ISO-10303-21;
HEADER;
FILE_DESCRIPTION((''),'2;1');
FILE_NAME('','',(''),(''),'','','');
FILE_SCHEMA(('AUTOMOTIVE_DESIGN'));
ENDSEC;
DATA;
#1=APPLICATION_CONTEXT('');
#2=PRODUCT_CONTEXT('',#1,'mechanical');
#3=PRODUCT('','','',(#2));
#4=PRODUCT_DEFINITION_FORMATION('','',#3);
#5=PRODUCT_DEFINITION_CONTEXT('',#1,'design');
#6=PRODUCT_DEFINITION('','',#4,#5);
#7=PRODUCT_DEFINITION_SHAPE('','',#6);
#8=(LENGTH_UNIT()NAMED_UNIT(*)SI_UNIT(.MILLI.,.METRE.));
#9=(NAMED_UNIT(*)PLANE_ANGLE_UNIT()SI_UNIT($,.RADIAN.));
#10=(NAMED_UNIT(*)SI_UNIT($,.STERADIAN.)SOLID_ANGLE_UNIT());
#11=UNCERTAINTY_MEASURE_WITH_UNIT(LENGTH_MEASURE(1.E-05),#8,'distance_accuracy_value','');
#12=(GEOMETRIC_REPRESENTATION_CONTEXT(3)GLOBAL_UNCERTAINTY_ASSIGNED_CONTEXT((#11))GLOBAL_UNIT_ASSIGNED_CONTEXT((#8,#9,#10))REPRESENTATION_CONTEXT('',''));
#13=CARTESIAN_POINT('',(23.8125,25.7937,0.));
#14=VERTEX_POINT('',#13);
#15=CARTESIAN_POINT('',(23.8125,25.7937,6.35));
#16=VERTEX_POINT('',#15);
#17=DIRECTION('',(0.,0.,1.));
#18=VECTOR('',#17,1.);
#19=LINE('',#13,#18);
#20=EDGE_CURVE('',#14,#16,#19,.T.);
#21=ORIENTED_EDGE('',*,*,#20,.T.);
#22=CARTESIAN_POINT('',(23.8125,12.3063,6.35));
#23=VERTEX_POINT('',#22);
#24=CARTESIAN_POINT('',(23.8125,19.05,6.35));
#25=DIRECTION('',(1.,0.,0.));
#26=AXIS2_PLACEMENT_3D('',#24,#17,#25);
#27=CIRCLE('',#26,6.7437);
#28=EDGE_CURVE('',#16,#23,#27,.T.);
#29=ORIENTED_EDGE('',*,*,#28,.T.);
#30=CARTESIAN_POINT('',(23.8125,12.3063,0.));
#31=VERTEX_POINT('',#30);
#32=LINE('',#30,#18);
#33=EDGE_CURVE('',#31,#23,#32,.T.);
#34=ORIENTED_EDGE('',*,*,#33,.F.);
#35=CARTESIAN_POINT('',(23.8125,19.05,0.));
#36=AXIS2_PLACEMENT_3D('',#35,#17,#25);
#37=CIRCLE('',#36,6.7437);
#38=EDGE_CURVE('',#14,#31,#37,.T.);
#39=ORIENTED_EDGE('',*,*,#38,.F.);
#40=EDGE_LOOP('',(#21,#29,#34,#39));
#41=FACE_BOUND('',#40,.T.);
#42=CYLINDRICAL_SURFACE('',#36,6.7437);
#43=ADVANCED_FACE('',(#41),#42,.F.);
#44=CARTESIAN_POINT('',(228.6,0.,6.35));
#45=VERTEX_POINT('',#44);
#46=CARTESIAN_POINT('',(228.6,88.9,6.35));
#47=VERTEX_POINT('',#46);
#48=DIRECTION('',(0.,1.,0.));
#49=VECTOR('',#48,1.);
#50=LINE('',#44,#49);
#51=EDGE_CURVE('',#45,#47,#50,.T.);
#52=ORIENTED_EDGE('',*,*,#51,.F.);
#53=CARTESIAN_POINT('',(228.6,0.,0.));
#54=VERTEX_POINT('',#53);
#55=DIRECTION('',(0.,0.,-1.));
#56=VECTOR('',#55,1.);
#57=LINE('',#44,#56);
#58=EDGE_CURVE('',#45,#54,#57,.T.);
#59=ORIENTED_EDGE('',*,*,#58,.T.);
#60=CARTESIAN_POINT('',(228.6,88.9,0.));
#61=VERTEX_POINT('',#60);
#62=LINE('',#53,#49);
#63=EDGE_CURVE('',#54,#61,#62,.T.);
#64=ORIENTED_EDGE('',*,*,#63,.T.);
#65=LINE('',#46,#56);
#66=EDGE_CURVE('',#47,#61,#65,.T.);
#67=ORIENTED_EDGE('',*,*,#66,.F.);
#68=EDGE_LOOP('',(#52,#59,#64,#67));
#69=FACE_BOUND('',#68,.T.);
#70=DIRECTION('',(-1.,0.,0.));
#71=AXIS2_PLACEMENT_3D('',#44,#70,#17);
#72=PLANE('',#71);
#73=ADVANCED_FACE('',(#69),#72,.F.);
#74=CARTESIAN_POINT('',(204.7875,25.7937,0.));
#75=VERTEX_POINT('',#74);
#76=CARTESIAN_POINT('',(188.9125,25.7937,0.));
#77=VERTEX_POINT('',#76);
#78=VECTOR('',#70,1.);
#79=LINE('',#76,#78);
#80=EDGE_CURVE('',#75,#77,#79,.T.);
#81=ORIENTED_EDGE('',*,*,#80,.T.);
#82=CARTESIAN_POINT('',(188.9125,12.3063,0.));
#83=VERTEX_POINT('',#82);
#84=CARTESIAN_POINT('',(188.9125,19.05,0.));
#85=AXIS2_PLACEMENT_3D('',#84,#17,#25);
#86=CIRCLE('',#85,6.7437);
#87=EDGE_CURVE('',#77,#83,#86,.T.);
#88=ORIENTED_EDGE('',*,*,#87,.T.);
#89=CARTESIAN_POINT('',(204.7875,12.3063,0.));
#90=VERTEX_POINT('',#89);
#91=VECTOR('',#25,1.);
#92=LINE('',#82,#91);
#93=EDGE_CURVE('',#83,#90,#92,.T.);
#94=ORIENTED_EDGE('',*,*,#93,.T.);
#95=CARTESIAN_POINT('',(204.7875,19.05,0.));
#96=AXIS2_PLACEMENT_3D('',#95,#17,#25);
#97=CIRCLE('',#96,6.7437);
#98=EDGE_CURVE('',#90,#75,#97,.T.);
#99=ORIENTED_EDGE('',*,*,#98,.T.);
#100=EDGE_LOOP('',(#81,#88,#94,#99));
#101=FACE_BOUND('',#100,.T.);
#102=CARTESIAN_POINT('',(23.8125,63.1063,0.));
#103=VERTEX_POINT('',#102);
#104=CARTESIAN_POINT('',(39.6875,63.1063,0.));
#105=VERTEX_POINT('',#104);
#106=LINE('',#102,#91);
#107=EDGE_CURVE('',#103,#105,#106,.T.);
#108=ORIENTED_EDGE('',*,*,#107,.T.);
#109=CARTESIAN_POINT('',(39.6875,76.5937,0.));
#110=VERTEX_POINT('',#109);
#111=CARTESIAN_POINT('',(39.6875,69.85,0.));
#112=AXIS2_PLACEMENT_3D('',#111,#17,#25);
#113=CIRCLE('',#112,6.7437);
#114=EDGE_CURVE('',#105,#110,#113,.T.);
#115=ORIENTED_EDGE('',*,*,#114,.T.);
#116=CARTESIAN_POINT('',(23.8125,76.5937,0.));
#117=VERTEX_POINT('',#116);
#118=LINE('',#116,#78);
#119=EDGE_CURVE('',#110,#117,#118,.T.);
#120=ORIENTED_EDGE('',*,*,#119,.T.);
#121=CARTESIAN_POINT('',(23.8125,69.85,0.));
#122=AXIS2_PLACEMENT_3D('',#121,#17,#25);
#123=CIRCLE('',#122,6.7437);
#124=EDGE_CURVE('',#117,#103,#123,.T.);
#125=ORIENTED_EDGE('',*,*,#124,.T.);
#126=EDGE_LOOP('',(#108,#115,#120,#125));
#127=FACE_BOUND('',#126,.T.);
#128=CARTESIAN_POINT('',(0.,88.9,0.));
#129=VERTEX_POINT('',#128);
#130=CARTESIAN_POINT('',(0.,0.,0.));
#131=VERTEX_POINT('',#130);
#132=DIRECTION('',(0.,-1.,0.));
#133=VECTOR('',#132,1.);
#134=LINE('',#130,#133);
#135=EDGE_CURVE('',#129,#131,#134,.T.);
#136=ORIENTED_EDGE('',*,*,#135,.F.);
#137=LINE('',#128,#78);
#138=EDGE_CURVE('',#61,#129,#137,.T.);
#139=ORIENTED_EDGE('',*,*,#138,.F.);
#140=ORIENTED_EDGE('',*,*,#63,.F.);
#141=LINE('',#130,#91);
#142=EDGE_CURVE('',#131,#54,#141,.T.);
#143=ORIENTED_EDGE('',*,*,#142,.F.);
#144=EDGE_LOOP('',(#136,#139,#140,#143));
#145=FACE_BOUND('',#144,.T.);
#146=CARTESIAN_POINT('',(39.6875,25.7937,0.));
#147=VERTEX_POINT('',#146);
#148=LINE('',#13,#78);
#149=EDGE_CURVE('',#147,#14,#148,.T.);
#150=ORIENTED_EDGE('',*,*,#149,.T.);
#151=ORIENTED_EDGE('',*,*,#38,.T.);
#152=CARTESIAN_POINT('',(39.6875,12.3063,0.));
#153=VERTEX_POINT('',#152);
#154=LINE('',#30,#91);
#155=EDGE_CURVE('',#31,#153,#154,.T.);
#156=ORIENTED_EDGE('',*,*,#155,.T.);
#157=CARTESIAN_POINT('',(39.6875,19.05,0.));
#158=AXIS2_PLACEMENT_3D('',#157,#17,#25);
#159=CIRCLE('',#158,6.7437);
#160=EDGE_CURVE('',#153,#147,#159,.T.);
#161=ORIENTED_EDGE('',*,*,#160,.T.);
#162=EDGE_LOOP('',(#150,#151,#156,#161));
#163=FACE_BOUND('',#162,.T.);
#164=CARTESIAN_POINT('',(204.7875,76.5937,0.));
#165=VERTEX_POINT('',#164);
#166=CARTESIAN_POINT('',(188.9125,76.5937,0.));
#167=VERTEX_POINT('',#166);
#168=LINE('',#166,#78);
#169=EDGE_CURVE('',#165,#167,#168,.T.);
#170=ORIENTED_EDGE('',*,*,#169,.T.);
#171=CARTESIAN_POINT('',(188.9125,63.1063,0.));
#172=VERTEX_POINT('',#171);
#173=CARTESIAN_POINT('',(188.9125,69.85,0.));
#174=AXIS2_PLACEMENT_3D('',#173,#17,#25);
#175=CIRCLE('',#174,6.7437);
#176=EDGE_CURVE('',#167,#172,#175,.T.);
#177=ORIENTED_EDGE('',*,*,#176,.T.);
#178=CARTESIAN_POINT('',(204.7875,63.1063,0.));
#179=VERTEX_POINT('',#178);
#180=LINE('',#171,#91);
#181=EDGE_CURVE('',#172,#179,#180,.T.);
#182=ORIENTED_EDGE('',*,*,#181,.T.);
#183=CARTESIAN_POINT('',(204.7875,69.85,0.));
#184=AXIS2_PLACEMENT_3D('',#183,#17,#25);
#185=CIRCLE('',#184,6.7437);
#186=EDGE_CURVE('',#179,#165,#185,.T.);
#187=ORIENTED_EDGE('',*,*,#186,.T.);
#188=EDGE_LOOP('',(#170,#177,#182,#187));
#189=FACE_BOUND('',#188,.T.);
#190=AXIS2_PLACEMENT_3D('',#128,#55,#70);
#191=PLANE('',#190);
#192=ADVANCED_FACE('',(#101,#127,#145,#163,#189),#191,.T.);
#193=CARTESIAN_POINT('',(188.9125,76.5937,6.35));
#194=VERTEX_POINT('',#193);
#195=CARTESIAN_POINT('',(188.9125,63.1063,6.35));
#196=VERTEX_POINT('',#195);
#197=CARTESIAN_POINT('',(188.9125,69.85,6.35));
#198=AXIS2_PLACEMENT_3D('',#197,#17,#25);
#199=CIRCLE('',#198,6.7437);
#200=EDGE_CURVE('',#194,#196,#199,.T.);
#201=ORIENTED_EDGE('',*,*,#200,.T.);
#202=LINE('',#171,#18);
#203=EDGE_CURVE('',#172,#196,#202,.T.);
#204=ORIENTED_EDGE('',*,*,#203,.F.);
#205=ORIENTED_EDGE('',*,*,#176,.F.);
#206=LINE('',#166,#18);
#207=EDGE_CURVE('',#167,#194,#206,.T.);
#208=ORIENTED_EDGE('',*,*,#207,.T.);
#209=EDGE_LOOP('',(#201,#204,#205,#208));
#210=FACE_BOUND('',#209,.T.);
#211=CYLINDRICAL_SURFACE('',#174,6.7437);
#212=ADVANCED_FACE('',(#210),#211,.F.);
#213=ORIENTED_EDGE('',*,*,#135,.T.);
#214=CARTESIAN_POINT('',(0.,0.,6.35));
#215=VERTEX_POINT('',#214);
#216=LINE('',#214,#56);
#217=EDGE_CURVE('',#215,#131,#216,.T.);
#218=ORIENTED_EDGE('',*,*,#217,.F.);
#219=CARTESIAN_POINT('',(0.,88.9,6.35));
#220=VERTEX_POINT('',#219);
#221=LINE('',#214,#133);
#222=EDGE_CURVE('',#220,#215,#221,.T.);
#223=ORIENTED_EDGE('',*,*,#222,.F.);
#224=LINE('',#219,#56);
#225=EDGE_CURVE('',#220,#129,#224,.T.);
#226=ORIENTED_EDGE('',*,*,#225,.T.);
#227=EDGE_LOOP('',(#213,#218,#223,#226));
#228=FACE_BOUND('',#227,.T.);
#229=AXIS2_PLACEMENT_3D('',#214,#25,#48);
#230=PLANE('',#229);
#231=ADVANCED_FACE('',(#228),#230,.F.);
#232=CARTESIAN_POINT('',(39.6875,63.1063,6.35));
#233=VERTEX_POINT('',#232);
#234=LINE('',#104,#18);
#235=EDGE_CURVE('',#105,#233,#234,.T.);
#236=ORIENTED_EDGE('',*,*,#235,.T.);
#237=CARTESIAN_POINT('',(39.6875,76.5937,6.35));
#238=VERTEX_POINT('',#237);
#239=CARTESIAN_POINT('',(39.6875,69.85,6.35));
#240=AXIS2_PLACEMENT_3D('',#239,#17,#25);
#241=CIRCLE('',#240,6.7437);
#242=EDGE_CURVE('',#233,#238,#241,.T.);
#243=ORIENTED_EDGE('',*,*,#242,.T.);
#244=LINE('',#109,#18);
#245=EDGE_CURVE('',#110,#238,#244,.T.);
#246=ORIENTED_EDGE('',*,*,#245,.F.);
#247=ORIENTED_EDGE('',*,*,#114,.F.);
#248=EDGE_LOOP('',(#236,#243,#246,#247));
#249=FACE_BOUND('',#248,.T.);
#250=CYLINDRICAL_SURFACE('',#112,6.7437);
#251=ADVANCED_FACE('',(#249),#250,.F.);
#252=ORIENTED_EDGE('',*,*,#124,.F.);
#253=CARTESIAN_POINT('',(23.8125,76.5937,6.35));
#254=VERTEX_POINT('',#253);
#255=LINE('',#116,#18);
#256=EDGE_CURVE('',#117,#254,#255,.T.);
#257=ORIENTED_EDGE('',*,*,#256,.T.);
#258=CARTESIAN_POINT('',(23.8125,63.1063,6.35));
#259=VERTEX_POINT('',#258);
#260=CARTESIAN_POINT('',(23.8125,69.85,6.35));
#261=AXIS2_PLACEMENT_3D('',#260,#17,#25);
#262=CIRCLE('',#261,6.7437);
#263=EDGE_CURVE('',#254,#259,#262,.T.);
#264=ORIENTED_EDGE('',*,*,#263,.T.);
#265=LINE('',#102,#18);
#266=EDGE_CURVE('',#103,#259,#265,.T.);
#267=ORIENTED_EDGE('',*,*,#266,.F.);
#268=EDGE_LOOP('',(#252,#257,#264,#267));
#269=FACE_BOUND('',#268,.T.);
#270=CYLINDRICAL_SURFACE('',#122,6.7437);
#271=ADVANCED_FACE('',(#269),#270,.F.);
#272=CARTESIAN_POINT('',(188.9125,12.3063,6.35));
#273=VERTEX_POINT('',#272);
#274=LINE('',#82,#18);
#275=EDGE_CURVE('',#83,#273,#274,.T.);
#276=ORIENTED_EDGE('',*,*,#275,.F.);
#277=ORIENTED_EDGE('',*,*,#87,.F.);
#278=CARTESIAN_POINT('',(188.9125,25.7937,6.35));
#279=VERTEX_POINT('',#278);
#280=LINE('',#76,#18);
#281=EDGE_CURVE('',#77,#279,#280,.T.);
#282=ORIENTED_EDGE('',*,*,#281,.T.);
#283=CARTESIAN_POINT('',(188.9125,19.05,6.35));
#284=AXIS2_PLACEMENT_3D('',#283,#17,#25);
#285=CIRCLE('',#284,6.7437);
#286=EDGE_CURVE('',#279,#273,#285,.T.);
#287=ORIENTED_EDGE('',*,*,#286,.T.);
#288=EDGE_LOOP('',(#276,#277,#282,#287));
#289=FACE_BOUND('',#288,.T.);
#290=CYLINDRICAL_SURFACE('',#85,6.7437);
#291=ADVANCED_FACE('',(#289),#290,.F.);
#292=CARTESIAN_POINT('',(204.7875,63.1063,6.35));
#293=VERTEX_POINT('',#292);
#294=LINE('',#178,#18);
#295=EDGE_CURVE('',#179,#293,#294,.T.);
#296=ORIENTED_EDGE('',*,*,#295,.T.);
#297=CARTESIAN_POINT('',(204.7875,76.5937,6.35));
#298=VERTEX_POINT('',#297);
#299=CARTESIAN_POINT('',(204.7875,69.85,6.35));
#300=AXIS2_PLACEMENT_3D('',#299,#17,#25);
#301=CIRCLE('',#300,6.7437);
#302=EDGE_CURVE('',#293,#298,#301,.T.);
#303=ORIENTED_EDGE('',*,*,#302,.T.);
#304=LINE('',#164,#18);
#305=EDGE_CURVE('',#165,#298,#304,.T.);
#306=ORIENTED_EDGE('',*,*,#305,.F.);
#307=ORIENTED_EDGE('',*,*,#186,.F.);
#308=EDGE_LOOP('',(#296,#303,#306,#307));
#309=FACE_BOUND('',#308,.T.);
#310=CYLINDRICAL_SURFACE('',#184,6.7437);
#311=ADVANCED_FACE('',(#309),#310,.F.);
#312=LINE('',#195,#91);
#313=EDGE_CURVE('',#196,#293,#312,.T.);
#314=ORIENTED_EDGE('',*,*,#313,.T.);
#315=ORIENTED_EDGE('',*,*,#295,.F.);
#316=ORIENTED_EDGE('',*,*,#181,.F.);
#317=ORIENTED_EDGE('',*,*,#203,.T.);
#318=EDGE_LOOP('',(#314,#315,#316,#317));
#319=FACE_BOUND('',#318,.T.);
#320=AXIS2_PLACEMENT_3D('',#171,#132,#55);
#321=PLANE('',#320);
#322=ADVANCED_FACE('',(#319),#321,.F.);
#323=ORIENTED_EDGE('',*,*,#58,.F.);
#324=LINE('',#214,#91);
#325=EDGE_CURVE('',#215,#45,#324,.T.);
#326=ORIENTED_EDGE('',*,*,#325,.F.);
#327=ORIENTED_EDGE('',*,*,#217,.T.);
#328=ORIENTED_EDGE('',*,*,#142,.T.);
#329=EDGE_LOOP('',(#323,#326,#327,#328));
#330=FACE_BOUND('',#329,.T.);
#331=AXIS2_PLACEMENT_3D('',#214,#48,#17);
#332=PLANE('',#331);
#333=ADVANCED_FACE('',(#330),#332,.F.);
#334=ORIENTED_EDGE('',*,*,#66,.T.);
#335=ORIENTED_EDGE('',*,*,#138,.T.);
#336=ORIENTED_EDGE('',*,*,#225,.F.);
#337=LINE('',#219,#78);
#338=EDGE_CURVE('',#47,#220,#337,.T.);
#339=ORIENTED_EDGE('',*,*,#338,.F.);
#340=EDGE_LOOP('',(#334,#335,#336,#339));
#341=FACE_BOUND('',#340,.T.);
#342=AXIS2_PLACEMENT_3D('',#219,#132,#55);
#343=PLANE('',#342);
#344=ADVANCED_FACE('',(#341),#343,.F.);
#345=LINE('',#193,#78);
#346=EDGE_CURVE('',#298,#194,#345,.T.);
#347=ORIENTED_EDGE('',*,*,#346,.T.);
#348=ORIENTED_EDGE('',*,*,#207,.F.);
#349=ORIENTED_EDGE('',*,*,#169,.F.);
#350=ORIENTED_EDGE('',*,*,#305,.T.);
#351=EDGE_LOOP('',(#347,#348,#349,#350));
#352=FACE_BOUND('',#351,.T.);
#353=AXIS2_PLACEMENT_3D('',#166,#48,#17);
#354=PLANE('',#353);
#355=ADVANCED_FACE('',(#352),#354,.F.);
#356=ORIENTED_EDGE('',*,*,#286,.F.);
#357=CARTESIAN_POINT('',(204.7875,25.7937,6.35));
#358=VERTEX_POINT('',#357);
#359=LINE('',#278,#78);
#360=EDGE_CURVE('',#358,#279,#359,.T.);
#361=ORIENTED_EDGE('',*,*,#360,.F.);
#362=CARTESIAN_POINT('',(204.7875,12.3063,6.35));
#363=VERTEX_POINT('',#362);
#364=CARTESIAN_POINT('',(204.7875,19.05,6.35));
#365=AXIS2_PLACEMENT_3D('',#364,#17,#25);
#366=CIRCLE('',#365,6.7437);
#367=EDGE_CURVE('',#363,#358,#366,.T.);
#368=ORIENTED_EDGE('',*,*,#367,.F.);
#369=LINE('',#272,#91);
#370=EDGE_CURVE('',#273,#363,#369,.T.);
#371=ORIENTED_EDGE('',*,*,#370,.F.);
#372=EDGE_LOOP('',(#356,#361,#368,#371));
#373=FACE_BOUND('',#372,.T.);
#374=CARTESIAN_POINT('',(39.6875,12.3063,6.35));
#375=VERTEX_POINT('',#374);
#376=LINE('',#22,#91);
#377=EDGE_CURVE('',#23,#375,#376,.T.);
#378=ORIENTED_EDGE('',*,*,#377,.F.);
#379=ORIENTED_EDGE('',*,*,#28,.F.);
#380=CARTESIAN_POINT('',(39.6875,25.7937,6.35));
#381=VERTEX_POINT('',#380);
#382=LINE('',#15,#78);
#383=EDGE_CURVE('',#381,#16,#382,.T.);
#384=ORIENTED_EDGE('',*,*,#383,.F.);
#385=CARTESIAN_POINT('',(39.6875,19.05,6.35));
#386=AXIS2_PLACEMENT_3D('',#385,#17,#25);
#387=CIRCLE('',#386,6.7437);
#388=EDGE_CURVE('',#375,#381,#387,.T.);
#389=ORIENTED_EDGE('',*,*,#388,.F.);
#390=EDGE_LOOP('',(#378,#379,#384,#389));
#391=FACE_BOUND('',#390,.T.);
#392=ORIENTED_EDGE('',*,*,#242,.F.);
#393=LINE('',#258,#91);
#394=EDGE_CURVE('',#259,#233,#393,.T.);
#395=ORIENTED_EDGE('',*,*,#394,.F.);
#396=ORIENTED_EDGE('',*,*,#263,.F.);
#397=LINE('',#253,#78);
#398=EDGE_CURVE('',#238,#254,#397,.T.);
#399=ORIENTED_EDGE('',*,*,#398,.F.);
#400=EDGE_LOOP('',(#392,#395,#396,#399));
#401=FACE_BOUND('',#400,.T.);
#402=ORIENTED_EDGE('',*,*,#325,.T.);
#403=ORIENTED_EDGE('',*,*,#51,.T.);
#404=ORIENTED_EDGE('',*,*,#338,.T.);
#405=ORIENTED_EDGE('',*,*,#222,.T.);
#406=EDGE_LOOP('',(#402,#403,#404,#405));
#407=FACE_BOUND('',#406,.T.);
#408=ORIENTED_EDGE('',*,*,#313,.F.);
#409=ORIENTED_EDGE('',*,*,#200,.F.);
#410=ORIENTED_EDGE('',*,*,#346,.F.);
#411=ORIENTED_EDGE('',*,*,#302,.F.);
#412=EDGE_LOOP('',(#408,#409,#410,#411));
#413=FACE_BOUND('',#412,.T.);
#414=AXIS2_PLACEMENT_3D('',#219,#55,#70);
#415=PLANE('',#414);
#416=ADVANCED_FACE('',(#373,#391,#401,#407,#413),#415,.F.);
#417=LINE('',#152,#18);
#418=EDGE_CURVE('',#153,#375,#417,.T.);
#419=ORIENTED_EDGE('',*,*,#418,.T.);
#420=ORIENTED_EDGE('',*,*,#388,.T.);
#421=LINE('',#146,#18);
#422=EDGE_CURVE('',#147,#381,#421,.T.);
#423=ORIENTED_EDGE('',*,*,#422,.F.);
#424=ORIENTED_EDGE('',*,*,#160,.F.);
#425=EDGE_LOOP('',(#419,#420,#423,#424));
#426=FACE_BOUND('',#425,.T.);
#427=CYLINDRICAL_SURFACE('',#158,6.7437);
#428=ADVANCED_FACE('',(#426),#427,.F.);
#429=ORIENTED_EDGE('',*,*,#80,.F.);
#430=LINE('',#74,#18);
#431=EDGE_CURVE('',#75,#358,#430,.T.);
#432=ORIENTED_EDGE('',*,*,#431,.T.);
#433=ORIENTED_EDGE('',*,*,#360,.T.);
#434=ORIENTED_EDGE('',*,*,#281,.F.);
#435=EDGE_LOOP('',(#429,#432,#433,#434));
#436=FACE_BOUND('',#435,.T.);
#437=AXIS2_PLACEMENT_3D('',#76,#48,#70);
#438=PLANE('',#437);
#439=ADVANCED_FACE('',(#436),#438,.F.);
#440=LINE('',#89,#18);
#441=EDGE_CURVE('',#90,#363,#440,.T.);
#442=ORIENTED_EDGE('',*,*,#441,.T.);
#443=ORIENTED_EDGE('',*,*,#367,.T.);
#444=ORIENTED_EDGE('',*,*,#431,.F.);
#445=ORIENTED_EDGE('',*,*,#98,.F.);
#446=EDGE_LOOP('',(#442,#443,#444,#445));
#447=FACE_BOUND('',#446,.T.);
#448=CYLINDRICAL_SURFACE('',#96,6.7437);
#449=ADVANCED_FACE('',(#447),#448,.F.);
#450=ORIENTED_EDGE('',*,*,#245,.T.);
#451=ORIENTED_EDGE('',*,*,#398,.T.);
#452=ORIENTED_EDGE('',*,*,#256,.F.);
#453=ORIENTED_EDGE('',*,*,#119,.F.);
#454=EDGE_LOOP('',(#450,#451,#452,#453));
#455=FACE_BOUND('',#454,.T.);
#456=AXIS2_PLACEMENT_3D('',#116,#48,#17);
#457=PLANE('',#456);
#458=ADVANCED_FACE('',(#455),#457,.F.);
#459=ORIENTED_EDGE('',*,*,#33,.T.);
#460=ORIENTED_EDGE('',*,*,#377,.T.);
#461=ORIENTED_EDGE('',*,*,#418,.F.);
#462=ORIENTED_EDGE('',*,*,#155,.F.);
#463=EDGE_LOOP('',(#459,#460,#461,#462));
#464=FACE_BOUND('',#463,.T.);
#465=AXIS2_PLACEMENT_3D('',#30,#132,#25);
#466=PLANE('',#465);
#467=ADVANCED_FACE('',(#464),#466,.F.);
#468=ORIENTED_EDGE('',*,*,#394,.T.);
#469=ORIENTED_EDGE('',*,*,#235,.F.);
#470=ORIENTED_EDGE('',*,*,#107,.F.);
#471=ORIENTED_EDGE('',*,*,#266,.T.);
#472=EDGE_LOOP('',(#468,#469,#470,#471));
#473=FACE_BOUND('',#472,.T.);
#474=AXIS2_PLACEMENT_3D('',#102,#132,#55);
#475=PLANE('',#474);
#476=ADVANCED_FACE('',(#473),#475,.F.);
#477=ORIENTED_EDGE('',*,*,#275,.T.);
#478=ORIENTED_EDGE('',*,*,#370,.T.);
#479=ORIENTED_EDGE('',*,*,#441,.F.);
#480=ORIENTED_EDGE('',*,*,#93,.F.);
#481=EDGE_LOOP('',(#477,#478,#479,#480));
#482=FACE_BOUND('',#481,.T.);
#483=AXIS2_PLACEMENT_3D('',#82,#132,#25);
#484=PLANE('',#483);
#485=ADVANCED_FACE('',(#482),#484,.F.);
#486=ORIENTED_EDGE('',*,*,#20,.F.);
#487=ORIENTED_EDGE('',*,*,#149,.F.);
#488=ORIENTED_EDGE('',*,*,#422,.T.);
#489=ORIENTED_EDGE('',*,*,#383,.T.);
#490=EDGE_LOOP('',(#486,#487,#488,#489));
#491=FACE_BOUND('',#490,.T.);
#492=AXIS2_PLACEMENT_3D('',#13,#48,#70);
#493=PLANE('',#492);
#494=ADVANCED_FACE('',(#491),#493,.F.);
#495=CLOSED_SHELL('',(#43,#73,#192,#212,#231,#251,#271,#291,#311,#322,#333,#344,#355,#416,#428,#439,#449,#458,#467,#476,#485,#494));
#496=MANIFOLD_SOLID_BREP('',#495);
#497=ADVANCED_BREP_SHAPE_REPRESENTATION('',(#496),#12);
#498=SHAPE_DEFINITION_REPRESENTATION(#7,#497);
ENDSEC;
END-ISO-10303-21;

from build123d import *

# Parameters (mm, degrees)
SKETCH1_W           = 228.6
SKETCH1_H           = 88.9
BOSS_EXTRUDE1_DEPTH = 6.35
CUT_EXTRUDE1_DEPTH  = 7.35
LPATTERN1_COUNT     = 2
LPATTERN1_PITCH     = 165.1


with BuildPart() as part:
    # Sketch1 → Boss-Extrude1 (new body)
    with BuildSketch(Plane.XY):
        with Locations((114.3, 44.45)):
            Rectangle(SKETCH1_W, SKETCH1_H)
    extrude(amount=BOSS_EXTRUDE1_DEPTH)

    # Sketch2 → Cut-Extrude1 (cut, through all)
    with BuildSketch(Plane.XY.offset(6.35)):
        with BuildLine():
            Line((23.8125, 76.5937), (39.6875, 76.5937))
            ThreePointArc((39.6875, 76.5937), (46.4312, 69.85), (39.6875, 63.1063))
            Line((39.6875, 63.1063), (23.8125, 63.1063))
            ThreePointArc((23.8125, 63.1063), (17.0688, 69.85), (23.8125, 76.5937))
        make_face()
        with BuildLine():
            Line((23.8125, 25.7937), (39.6875, 25.7937))
            ThreePointArc((39.6875, 25.7937), (46.4312, 19.05), (39.6875, 12.3063))
            Line((39.6875, 12.3063), (23.8125, 12.3063))
            ThreePointArc((23.8125, 12.3063), (17.0688, 19.05), (23.8125, 25.7937))
        make_face()
    cut_extrude1 = extrude(amount=-CUT_EXTRUDE1_DEPTH, mode=Mode.SUBTRACT)

    # LPattern1: Cut-Extrude1 ×2
    with Locations(*[(i * LPATTERN1_PITCH, 0, 0) for i in range(1, LPATTERN1_COUNT)]):
        add(cut_extrude1, mode=Mode.SUBTRACT)


solid = part.part
